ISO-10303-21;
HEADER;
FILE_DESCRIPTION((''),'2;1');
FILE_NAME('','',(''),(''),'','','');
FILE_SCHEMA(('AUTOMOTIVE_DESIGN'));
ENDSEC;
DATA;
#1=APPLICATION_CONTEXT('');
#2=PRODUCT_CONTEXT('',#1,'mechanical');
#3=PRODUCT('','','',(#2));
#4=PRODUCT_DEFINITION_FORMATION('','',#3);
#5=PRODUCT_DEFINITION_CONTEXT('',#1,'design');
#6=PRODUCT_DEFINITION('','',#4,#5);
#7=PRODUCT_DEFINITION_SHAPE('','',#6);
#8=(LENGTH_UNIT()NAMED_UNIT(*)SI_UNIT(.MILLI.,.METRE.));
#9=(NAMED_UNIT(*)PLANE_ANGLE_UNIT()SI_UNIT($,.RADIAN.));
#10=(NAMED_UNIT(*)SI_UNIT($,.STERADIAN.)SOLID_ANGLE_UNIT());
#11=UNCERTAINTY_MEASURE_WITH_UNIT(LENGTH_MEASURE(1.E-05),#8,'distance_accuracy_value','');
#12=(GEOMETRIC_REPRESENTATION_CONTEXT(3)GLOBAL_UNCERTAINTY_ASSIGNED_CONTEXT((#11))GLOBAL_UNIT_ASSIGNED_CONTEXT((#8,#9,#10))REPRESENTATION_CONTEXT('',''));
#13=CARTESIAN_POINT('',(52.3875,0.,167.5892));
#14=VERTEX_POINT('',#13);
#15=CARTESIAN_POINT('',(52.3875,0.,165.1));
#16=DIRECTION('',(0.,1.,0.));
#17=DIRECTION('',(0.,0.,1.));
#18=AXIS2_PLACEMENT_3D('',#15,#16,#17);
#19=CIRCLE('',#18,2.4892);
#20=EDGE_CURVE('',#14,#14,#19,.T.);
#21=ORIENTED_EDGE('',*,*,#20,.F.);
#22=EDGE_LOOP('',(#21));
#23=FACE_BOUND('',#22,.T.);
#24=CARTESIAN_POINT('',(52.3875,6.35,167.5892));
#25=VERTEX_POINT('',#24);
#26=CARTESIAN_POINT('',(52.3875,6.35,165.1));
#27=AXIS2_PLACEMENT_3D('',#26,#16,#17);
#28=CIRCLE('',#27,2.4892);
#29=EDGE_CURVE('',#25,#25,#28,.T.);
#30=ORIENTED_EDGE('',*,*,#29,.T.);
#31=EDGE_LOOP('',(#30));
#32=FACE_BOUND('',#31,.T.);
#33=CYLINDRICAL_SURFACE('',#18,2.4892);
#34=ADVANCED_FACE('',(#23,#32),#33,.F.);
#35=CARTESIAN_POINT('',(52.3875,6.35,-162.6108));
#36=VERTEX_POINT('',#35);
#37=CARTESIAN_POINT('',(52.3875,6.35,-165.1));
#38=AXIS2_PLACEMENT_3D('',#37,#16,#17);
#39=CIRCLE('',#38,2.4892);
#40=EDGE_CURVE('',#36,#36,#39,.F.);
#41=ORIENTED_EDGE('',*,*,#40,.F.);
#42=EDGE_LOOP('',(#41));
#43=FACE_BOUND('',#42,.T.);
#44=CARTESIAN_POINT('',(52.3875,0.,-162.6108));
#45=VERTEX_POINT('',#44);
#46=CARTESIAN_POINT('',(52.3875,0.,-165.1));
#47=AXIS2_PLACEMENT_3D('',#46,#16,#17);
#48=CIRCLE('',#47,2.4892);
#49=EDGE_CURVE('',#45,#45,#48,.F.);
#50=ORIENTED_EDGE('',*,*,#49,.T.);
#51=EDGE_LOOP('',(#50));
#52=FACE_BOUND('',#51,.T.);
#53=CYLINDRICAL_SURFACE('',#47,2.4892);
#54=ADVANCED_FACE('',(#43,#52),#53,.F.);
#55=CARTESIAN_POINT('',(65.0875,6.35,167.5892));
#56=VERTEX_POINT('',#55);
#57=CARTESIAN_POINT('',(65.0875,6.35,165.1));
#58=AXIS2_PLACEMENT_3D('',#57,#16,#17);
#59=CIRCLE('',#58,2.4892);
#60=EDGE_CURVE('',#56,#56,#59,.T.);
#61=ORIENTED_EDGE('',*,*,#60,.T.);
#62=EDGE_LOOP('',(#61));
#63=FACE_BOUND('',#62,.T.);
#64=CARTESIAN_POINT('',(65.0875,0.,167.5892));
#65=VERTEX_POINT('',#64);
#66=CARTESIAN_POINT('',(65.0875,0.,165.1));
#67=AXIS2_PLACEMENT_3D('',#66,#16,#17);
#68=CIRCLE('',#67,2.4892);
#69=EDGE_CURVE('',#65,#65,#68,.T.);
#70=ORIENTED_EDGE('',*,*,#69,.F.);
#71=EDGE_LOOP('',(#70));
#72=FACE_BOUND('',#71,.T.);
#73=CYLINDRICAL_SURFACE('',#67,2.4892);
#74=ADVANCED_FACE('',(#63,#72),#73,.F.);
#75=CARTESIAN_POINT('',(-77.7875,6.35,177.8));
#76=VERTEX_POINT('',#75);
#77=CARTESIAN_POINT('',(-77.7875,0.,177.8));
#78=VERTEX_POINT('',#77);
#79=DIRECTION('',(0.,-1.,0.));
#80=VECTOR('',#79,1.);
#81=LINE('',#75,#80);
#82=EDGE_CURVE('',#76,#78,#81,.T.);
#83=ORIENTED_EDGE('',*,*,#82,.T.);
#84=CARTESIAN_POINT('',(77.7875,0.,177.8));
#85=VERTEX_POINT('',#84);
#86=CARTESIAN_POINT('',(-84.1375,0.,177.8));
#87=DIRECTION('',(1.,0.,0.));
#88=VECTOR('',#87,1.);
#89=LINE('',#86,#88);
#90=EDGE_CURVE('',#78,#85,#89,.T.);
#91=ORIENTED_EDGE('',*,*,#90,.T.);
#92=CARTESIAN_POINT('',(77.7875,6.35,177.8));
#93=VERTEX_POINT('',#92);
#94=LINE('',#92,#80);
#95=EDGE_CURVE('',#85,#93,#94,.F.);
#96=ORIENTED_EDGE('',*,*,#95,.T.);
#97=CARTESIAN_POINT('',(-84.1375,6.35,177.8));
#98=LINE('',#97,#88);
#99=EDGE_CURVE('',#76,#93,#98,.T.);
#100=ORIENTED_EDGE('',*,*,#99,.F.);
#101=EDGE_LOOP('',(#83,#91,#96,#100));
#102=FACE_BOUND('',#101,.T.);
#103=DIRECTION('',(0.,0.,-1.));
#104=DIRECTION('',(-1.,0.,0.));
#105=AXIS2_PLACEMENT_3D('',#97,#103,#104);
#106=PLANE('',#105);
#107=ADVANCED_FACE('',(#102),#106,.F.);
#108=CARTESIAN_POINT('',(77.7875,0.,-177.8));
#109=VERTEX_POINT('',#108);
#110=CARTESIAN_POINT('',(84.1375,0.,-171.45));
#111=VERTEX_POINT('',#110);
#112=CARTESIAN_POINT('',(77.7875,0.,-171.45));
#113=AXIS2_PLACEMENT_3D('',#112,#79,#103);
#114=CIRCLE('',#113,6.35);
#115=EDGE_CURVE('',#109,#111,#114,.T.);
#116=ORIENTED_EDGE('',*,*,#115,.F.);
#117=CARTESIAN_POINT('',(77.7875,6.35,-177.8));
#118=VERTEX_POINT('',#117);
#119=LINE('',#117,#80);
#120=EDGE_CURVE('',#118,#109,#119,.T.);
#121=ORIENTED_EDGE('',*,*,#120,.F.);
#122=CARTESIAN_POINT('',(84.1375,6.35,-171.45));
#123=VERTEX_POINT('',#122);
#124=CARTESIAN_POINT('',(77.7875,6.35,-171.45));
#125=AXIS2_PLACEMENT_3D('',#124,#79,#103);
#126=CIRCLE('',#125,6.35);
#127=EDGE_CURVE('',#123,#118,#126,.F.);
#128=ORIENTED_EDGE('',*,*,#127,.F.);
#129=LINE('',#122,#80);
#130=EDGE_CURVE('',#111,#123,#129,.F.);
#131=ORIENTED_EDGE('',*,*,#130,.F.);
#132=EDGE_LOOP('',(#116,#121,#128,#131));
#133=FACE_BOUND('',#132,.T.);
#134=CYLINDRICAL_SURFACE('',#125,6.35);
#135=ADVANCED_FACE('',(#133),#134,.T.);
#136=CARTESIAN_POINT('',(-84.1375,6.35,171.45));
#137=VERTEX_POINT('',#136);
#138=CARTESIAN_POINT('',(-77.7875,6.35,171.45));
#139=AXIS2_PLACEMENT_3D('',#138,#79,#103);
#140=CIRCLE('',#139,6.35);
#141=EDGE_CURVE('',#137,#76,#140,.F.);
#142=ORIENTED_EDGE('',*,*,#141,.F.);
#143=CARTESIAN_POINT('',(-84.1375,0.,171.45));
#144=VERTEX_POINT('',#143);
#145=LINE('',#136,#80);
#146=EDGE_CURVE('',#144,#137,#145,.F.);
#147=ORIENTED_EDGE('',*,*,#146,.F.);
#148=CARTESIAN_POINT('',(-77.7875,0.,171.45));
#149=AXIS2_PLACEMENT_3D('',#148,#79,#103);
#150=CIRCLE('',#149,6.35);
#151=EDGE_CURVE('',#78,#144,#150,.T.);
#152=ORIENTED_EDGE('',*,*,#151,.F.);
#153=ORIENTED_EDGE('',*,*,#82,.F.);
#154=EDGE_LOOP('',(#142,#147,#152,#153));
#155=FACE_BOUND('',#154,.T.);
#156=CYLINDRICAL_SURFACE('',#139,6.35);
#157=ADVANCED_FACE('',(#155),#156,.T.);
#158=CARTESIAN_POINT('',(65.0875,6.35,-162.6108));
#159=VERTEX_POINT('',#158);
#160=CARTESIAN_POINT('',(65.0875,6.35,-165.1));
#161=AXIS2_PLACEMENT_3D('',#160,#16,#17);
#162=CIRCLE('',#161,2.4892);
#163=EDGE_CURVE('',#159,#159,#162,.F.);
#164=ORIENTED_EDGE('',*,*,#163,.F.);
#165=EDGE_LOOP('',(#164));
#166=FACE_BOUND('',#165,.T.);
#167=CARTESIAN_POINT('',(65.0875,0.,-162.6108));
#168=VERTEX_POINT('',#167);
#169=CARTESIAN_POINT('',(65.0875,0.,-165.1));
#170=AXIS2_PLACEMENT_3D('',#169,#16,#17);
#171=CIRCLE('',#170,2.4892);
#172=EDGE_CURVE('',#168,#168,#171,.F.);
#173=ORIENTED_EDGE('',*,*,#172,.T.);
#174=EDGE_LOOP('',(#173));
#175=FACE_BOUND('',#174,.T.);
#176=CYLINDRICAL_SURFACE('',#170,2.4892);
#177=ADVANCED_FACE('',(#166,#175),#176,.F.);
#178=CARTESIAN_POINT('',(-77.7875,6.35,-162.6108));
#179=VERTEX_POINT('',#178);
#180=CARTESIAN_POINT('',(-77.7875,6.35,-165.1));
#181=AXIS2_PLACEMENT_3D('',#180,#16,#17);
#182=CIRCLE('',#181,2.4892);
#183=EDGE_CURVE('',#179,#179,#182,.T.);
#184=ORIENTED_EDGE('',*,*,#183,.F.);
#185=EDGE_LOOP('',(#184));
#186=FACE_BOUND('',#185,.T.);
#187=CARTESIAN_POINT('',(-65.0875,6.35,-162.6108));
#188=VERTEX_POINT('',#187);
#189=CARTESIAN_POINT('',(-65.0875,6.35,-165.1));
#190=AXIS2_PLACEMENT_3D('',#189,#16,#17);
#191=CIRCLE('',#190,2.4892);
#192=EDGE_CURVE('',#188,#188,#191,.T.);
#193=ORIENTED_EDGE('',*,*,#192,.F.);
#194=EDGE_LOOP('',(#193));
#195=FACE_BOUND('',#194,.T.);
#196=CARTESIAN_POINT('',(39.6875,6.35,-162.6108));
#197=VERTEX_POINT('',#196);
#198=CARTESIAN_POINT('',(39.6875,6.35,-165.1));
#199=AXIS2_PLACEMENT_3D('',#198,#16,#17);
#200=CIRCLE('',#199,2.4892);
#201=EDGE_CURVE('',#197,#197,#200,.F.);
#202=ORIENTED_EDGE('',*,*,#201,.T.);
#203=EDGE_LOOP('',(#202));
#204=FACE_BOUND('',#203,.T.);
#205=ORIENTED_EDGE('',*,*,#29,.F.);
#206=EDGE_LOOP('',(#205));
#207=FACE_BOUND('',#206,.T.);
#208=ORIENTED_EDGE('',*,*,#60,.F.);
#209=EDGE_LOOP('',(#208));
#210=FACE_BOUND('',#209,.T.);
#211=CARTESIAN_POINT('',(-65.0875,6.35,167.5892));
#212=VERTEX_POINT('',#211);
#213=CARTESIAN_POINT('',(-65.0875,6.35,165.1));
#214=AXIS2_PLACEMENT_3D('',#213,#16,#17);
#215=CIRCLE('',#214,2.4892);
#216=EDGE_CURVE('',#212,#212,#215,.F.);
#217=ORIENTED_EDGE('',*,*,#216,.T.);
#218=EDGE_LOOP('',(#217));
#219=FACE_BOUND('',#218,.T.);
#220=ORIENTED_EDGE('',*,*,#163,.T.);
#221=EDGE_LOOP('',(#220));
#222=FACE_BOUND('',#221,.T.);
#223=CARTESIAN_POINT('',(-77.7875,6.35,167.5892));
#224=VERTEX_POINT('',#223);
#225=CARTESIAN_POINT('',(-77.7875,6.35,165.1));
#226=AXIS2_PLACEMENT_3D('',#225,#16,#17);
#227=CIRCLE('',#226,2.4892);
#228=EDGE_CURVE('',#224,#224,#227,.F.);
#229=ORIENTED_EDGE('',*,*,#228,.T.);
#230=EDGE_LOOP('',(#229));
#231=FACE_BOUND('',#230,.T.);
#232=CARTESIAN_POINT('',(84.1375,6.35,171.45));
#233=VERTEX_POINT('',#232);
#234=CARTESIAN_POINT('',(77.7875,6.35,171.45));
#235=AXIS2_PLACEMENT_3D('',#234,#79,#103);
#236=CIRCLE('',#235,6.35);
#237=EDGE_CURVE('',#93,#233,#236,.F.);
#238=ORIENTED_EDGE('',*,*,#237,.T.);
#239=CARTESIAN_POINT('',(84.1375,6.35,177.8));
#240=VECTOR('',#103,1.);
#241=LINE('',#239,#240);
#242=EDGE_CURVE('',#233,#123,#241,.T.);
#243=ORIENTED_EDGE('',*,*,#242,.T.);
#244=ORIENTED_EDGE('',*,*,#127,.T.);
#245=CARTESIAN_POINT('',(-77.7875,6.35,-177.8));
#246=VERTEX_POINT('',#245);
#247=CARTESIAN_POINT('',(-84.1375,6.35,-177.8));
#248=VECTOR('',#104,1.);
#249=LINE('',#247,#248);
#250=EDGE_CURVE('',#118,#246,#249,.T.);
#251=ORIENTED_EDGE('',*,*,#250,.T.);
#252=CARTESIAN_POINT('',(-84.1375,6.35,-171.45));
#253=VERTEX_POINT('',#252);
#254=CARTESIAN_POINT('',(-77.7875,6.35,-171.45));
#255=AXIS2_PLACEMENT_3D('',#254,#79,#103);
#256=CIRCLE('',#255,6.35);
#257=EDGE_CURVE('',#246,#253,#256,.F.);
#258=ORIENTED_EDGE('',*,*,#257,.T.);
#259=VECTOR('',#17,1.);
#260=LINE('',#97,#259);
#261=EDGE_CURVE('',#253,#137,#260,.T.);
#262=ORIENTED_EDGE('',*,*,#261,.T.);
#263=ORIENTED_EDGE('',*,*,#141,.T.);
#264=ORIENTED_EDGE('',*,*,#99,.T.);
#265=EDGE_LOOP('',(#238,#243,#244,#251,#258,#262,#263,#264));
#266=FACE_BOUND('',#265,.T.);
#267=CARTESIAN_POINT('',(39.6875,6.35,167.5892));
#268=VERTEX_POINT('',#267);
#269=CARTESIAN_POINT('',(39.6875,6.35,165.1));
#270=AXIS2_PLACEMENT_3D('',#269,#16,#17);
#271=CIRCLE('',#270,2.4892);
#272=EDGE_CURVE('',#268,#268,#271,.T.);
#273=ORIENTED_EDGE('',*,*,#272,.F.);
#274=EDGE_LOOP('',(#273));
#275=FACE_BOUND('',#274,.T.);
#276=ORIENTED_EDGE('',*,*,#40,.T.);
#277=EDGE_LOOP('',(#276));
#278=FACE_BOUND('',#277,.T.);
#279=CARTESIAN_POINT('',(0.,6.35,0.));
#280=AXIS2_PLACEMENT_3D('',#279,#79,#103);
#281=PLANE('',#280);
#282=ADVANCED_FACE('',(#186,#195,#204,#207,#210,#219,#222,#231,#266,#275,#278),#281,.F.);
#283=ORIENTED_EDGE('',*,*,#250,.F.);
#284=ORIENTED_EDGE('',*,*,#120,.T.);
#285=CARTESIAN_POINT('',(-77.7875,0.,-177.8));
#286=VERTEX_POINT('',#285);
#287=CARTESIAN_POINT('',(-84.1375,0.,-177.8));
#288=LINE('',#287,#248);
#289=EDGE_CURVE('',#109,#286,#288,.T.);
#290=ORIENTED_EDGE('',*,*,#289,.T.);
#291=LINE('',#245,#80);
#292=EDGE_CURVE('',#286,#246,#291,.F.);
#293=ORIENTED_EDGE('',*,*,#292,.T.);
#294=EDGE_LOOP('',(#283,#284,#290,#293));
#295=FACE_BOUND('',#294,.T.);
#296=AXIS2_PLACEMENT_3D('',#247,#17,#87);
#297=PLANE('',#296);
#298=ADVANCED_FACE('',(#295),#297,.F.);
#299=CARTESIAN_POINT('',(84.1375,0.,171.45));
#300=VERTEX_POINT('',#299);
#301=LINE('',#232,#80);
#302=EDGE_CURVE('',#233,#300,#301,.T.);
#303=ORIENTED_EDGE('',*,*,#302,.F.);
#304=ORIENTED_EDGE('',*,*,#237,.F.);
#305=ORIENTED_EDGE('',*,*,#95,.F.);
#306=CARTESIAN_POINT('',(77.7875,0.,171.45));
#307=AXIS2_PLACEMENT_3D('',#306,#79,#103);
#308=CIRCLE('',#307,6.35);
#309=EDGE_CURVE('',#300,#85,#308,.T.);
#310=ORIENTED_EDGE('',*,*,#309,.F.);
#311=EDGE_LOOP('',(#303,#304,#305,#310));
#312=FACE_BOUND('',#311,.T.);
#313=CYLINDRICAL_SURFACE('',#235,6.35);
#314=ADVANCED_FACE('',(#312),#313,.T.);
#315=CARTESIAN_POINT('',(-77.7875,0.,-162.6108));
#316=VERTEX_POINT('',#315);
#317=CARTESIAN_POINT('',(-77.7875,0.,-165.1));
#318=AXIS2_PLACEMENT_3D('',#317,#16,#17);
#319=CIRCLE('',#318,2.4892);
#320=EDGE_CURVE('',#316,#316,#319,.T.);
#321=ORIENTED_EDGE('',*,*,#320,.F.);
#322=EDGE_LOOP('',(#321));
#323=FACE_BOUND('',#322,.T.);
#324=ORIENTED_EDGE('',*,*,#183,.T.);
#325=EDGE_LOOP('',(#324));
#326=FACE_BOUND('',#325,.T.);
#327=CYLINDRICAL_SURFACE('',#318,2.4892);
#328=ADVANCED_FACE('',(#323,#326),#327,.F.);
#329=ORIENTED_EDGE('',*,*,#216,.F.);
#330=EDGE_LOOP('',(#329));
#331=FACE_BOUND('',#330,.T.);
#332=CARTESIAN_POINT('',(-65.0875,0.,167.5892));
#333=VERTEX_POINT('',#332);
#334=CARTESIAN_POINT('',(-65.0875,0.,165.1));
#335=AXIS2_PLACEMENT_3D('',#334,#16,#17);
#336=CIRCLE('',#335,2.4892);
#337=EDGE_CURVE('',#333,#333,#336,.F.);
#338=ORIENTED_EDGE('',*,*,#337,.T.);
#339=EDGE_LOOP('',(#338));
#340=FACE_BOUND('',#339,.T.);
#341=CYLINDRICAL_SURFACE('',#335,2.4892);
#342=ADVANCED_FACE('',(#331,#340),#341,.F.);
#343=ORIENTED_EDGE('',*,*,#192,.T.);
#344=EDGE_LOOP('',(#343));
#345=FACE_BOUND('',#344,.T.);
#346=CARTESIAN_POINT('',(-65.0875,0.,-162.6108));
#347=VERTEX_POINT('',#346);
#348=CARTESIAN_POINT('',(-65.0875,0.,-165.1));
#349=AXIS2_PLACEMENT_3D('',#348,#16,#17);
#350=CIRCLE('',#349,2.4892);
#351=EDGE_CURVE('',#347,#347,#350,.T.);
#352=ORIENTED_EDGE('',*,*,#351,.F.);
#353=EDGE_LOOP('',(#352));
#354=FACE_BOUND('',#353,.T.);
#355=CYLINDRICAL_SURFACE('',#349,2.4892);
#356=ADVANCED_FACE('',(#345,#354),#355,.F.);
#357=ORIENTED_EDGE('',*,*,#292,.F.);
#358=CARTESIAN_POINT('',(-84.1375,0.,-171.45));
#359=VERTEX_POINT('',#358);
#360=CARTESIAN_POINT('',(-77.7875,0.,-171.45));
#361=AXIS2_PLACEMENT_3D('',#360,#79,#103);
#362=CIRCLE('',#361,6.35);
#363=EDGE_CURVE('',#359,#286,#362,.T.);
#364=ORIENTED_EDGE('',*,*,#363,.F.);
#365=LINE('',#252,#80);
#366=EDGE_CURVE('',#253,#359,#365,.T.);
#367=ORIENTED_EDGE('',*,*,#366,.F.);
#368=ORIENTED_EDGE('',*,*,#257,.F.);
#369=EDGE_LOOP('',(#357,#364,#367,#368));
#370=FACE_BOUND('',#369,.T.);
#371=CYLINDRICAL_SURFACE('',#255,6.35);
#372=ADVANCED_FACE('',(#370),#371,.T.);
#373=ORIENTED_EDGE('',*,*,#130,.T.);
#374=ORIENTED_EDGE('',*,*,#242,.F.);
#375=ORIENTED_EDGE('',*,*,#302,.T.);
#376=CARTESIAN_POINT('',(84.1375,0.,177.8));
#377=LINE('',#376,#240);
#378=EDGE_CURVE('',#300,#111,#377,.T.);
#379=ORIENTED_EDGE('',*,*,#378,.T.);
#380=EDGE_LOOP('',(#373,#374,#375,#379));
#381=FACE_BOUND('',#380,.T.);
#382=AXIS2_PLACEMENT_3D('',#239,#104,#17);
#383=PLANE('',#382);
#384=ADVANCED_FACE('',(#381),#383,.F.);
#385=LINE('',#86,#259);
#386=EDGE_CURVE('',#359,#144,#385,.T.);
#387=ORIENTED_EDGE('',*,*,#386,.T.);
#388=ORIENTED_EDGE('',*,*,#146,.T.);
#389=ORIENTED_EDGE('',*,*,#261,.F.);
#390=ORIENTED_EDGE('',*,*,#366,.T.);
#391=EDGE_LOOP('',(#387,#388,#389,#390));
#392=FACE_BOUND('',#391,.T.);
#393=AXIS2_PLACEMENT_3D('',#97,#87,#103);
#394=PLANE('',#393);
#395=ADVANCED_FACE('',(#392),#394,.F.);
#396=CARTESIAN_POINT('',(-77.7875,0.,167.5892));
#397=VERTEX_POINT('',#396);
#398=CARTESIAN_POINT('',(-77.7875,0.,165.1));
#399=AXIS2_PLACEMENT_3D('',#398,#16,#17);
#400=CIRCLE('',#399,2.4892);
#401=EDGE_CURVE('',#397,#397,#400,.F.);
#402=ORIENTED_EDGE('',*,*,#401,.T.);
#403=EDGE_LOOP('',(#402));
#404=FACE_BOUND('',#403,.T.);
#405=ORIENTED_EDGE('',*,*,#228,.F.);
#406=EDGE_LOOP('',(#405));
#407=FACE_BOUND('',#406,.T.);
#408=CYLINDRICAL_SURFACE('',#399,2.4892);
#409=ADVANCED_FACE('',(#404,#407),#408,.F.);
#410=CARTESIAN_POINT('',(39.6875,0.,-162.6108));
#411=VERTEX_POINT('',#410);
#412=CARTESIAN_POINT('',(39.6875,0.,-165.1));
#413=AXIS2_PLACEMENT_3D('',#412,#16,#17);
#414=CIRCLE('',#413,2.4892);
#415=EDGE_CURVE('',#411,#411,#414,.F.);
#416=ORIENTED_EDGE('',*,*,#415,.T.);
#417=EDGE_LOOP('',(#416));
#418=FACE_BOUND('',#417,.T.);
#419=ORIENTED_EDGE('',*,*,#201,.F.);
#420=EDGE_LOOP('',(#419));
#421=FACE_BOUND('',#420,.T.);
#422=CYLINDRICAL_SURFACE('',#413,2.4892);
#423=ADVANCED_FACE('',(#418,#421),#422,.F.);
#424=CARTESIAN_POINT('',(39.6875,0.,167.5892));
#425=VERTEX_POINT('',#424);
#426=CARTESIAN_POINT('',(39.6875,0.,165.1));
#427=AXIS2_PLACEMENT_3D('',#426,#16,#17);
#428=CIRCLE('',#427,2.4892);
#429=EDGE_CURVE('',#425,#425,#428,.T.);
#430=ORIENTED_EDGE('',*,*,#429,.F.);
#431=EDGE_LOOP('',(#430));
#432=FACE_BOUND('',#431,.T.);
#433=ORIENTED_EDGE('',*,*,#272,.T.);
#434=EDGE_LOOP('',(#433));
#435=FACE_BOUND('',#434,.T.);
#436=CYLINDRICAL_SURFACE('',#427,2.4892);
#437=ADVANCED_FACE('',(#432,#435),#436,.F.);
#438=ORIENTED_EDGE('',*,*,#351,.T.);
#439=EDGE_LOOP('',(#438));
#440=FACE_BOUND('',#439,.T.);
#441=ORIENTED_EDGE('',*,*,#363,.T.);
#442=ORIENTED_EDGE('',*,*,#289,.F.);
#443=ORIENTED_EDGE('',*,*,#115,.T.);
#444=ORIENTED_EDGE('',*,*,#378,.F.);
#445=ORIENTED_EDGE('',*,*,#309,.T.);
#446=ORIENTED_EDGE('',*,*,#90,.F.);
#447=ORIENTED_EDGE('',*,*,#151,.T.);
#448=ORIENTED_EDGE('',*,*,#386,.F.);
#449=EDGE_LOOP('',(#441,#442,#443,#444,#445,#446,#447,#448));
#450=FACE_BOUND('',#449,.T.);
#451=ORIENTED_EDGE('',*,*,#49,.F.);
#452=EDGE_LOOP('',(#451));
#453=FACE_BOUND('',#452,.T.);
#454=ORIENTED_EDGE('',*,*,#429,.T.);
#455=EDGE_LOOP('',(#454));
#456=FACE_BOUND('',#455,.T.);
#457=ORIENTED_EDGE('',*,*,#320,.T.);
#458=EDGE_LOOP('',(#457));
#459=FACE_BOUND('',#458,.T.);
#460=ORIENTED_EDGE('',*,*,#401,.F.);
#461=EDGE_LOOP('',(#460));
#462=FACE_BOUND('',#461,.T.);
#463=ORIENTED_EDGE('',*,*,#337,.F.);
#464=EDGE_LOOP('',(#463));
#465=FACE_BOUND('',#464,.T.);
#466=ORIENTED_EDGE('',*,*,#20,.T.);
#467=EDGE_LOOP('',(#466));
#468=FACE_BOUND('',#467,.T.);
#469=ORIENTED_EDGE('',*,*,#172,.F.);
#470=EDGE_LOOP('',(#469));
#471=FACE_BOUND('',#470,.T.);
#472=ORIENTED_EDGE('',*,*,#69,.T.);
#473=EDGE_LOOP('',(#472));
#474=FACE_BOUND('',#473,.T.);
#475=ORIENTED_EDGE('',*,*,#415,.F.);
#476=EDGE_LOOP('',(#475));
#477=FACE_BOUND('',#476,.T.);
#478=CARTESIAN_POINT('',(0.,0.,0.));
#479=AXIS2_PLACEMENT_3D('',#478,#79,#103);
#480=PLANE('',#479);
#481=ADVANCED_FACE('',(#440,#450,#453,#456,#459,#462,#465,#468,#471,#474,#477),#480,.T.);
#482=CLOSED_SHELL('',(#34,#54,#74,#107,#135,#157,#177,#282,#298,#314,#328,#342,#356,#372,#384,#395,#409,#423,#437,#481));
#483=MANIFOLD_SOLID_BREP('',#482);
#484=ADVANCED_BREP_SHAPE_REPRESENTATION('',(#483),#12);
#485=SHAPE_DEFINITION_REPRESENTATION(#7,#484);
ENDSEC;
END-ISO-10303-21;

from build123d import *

# Parameters (mm, degrees)
SKETCH1_W           = 168.275
SKETCH1_H           = 355.6
BOSS_EXTRUDE1_DEPTH = 6.35
SKETCH2_R           = 2.4892
CUT_EXTRUDE2_DEPTH  = 197.805186431
FILLET1_R           = 6.35


with BuildPart() as part:
    # Sketch1 → Boss-Extrude1 (new body)
    with BuildSketch(Plane(origin=(0, 0, 0), x_dir=(1, 0, 0), z_dir=(0, 1, 0))):
        Rectangle(SKETCH1_W, SKETCH1_H)
    extrude(amount=BOSS_EXTRUDE1_DEPTH)

    # Sketch2 → Cut-Extrude2 (cut, through all)
    with BuildSketch(Plane(origin=(0, 6.35, 0), x_dir=(1, 0, 0), z_dir=(0, 1, 0))):
        with Locations(Location((65.0875, -165.1, 0), (0, 0, 270))):
            Circle(SKETCH2_R)
        with Locations(Location((52.3875, -165.1, 0), (0, 0, 270))):
            Circle(SKETCH2_R)
        with Locations(Location((39.6875, -165.1, 0), (0, 0, 270))):
            Circle(SKETCH2_R)
        with Locations(Location((65.0875, 165.1, 0), (0, 0, 270))):
            Circle(SKETCH2_R)
        with Locations(Location((52.3875, 165.1, 0), (0, 0, 270))):
            Circle(SKETCH2_R)
        with Locations(Location((39.6875, 165.1, 0), (0, 0, 270))):
            Circle(SKETCH2_R)
        with Locations(Location((-77.7875, -165.1, 0), (0, 0, 270))):
            Circle(SKETCH2_R)
        with Locations(Location((-65.0875, -165.1, 0), (0, 0, 270))):
            Circle(SKETCH2_R)
        with Locations(Location((-77.7875, 165.1, 0), (0, 0, 270))):
            Circle(SKETCH2_R)
        with Locations(Location((-65.0875, 165.1, 0), (0, 0, 270))):
            Circle(SKETCH2_R)
    extrude(amount=-CUT_EXTRUDE2_DEPTH, mode=Mode.SUBTRACT)

    # Fillet1
    fillet1_edges = [part.edges().sort_by_distance(p)[0] for p in [
        (84.1375, 3.175, 177.8),
        (-84.1375, 3.175, 177.8),
        (-84.1375, 3.175, -177.8),
        (84.1375, 3.175, -177.8),
    ]]
    fillet(fillet1_edges, radius=FILLET1_R)


solid = part.part
